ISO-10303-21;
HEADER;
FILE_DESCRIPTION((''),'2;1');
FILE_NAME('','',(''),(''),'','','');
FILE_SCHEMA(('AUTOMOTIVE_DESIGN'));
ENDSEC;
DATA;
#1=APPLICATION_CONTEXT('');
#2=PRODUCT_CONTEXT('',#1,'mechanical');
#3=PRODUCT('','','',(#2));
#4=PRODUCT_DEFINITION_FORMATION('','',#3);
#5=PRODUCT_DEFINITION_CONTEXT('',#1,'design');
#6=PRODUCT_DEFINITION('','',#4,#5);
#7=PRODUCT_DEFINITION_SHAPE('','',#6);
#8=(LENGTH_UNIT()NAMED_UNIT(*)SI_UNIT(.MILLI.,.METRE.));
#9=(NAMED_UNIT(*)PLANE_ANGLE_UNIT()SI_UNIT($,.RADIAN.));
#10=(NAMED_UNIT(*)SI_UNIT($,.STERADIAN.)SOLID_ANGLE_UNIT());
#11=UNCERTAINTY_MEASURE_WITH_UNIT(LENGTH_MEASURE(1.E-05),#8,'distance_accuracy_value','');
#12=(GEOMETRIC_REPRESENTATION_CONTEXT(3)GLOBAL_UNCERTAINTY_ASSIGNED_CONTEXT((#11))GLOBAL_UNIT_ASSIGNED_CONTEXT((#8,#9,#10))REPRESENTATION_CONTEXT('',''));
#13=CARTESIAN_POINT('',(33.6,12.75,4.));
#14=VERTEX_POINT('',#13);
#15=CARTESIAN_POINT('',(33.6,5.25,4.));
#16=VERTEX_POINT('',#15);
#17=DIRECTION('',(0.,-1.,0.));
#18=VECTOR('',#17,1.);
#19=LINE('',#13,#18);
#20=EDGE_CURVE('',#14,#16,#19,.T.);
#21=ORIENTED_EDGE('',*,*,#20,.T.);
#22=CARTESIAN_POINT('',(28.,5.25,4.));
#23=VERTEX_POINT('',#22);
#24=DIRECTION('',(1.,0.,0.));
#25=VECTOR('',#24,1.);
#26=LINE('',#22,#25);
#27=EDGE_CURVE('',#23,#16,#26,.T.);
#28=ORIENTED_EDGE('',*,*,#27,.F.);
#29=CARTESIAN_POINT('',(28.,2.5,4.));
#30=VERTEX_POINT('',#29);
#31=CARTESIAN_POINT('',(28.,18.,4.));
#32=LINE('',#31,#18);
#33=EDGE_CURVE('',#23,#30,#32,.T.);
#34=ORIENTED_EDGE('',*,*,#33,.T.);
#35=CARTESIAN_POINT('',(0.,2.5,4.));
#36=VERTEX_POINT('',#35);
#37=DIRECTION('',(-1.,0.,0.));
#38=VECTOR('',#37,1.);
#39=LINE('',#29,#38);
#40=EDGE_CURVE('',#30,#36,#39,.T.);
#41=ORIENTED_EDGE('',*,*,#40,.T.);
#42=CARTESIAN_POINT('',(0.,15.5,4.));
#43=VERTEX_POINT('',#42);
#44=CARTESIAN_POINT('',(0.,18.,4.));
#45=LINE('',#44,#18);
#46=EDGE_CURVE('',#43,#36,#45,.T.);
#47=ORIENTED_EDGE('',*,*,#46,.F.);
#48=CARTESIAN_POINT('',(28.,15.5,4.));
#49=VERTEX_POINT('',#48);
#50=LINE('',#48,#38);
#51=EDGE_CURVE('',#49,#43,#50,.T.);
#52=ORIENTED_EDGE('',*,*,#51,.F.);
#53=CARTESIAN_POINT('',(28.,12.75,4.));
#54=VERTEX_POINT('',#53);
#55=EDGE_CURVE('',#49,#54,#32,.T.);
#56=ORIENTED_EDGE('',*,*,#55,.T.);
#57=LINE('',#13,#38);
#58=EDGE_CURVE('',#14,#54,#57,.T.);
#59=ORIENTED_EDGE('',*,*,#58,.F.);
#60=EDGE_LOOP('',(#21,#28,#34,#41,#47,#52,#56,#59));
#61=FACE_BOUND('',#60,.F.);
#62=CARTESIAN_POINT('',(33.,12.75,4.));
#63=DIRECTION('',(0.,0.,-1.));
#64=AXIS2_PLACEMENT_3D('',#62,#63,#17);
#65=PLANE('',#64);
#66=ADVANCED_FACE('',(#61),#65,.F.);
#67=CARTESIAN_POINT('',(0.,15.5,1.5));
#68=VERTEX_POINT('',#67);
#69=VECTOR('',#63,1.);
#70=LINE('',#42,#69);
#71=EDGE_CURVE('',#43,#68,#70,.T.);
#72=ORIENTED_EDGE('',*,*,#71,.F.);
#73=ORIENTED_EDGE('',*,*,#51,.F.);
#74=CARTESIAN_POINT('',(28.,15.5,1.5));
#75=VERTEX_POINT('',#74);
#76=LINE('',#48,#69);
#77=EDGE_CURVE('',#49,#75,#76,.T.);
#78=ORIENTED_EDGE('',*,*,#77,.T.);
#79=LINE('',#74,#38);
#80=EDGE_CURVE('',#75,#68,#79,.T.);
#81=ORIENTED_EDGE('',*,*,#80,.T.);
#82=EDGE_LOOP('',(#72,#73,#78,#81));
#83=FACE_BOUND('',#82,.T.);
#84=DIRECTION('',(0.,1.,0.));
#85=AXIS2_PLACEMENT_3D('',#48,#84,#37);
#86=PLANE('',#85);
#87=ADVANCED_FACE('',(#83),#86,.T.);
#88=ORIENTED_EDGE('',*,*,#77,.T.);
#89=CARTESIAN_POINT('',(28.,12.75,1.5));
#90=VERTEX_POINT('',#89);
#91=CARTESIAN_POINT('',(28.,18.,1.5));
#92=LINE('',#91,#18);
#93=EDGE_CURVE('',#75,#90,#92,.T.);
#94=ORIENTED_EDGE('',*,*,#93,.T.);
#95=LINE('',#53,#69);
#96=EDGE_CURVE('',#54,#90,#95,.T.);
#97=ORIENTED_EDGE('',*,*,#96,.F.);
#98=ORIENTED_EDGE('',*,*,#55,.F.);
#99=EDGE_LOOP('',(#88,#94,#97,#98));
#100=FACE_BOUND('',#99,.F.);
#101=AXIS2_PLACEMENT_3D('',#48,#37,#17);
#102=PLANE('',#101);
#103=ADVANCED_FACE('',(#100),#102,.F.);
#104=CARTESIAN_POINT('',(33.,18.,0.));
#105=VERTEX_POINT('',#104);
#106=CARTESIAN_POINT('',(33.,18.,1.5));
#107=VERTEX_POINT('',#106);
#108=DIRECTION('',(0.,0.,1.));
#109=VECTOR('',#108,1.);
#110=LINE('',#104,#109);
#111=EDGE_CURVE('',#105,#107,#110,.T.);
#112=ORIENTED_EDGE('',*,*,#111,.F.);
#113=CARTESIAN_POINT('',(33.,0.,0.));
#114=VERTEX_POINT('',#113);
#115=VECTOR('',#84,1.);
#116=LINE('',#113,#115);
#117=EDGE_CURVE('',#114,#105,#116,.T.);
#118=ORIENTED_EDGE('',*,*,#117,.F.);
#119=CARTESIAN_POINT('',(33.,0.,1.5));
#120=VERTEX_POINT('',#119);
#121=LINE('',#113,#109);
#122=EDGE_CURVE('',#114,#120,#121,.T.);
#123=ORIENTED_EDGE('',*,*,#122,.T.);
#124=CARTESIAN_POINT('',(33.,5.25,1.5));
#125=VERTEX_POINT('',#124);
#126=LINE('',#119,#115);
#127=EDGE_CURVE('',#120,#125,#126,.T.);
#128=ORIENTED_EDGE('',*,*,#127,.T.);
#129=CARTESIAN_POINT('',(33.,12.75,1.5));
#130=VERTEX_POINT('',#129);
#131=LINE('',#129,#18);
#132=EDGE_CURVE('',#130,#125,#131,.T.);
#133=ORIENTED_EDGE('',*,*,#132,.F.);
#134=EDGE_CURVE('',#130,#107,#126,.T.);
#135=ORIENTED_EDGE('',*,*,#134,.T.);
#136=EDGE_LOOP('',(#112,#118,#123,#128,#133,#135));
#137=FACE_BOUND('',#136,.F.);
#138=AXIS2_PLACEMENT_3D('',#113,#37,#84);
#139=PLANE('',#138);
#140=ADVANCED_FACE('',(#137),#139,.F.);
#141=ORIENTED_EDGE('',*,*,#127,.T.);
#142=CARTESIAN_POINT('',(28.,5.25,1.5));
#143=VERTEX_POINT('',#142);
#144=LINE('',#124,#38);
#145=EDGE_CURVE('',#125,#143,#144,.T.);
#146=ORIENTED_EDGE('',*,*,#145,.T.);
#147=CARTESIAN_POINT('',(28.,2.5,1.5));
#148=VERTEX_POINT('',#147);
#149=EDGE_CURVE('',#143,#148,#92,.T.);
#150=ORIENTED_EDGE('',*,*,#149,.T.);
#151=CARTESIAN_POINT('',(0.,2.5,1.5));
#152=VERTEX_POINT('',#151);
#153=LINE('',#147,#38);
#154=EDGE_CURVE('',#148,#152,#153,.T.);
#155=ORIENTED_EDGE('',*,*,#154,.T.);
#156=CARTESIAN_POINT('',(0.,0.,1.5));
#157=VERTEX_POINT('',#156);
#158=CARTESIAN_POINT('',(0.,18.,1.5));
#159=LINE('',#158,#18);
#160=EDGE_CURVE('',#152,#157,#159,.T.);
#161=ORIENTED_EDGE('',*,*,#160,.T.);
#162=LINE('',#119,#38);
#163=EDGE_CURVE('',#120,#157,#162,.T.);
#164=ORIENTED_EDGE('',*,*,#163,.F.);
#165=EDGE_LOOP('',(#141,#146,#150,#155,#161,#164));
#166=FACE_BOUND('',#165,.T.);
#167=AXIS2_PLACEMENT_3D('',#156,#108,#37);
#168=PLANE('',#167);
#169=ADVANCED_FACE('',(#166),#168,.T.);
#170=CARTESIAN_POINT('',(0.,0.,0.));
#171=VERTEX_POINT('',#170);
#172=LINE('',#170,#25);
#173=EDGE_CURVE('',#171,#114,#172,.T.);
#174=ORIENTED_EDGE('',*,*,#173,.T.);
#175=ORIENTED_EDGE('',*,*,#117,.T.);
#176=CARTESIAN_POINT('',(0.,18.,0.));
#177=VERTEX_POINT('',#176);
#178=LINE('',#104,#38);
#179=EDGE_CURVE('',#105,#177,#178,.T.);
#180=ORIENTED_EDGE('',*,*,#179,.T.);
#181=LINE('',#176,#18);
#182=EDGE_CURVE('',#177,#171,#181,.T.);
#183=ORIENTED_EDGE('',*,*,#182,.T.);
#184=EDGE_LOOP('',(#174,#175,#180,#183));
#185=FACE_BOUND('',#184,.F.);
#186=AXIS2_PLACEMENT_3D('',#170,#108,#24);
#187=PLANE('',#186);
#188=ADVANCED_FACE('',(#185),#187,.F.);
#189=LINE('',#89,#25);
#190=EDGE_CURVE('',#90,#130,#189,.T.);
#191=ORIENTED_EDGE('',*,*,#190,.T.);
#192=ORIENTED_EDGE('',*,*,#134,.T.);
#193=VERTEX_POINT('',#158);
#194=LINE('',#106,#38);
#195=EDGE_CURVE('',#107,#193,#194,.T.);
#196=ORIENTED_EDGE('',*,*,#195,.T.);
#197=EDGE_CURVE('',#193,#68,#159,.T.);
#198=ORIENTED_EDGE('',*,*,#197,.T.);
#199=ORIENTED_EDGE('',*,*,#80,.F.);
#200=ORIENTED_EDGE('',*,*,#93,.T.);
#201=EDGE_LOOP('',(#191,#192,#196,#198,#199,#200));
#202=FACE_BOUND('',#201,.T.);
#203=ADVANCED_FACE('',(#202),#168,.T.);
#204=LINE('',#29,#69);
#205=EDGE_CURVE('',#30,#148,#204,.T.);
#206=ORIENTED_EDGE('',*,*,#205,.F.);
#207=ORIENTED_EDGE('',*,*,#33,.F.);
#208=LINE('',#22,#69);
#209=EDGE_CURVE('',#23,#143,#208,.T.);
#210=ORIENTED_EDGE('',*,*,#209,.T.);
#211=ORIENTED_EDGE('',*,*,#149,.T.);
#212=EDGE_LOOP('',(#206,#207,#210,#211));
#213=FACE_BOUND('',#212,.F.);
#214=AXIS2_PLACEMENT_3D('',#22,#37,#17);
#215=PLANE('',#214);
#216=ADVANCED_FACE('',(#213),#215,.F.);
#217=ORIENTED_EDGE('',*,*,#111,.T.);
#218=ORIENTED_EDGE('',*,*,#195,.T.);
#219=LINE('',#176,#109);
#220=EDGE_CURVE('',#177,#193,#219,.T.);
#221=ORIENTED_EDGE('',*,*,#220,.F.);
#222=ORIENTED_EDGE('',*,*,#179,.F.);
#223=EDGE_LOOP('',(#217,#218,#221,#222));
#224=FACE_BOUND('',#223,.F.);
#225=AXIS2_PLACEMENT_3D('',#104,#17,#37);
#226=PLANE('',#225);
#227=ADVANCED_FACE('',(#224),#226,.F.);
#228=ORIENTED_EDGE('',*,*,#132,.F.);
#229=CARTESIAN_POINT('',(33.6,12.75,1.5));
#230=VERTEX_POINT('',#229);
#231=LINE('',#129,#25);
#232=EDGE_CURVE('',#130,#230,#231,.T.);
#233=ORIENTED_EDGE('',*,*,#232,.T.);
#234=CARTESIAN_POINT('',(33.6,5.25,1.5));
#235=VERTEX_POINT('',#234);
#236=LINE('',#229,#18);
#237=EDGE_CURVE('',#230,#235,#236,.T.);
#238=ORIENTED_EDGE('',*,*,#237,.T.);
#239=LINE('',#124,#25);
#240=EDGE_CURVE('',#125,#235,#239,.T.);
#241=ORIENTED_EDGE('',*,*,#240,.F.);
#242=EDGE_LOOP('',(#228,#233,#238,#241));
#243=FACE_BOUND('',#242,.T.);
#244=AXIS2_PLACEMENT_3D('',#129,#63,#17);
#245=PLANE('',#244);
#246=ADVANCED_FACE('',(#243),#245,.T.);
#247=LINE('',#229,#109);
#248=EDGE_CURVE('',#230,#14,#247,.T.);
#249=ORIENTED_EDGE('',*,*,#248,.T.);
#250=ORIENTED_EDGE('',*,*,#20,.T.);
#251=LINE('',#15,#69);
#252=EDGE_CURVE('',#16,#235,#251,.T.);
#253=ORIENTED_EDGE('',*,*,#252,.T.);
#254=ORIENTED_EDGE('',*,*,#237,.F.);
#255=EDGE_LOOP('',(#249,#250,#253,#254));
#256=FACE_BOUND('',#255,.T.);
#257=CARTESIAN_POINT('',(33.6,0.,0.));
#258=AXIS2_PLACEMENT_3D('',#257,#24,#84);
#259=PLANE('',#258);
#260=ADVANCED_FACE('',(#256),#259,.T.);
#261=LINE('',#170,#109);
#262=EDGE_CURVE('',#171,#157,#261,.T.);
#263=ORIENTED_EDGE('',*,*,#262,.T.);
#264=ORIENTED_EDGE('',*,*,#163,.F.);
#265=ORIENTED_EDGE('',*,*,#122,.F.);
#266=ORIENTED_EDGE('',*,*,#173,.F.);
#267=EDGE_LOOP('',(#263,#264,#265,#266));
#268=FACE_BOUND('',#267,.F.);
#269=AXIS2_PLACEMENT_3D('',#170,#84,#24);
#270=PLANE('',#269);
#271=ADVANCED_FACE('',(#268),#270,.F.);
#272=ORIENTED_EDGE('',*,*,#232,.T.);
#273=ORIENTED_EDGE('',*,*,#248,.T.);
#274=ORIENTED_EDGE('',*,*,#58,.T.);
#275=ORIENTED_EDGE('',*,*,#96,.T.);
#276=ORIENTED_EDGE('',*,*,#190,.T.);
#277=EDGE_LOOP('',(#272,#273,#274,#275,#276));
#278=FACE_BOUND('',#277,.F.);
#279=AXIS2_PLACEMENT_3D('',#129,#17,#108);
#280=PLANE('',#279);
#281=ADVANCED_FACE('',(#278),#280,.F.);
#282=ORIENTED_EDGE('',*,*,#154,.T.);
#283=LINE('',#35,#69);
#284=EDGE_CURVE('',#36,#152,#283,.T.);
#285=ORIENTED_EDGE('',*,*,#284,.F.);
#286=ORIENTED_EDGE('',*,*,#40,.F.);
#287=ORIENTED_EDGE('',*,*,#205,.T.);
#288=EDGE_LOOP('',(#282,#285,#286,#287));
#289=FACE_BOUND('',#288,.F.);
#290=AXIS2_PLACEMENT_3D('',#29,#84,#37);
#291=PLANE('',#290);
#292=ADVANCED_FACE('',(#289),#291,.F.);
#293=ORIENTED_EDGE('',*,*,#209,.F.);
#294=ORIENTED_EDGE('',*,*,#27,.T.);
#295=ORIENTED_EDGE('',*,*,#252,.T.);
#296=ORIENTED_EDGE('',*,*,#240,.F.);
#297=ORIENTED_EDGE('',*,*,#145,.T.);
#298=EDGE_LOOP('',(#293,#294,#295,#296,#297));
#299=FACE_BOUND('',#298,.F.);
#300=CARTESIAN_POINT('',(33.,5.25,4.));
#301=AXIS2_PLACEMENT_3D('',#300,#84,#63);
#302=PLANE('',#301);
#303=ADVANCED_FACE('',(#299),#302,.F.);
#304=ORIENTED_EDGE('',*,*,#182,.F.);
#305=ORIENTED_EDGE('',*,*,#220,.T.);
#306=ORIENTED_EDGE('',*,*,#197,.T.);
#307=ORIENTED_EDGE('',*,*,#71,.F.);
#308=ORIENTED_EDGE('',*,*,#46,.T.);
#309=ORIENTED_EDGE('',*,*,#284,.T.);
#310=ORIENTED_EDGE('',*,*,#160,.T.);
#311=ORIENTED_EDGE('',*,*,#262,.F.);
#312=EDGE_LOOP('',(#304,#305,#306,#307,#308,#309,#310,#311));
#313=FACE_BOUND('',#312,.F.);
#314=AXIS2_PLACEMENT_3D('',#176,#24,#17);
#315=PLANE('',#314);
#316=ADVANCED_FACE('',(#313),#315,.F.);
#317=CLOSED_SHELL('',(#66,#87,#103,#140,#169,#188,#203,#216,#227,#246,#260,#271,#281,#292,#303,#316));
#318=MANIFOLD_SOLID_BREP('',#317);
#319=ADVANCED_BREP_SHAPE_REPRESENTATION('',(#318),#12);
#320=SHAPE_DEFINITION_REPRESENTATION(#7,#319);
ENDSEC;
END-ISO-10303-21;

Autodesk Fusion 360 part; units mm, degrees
sketch "スケッチ1" plane through (0, 0, 0) normal (0, 0, 1) x (1, 0, 0)
  line L0 (0, 0) -> (33, 0)
  line L1 (33, 0) -> (33, 18)
  line L2 (33, 18) -> (0, 18)
  line L3 (0, 18) -> (0, 0)
  dimension "d1" = 33
  dimension "d2" = 18
extrude "押し出し1" add sketch "スケッチ1" along normal blind 4
sketch "スケッチ2" plane through (0, 0, 4) normal (0, 0, 1) x (-1, 0, 0)
  line L0 (0, -18) -> (0, 0)
  line L1 (0, 0) -> (-33, 0)
  line L2 (-33, 0) -> (-33, -18)
  line L3 (-33, -18) -> (0, -18)
  line L4 (-33, -18) -> (-28, -18)
  line L5 (-28, -18) -> (-28, 0)
  line L6 (-28, 0) -> (-33, 0)
  line L7 (-33, 0) -> (-33, -18)
  line L8 (-28, -12.75) -> (-33, -12.75)
  line L9 (-33, -12.75) -> (-33, -5.25)
  line L10 (-33, -5.25) -> (-28, -5.25)
  line L11 (-28, -5.25) -> (-28, -12.75)
  line L12 (-31.75, -9) -> (-34.25, -9) construction
  line L13 (-34.25, -9) -> (-31.75, -9) construction
  line L14 (0, 0) -> (-28, 0)
  line L15 (-28, 0) -> (-28, -2.5)
  line L16 (-28, -2.5) -> (0, -2.5)
  line L17 (0, -2.5) -> (0, 0)
  line L18 (0, -18) -> (-28, -18)
  line L19 (-28, -18) -> (-28, -15.5)
  line L20 (-28, -15.5) -> (0, -15.5)
  line L21 (0, -15.5) -> (0, -18)
  dimension "d5" = 5
  dimension "d6" = 18
  dimension "d7" = 5
  dimension "d8" = 7.5
  dimension "d11" = 2.5
  dimension "d12" = 2.5
extrude "押し出し2" cut sketch "スケッチ2" against normal blind 2.5 contours L0 L3 L5 L18 L19 L20 L21 | L2 L3 L4 L5 L7 L8 L19 | L0 L1 L5 L14 L15 L16 L17 | L1 L2 L5 L6 L7 L10 L15
sketch "スケッチ3" plane through (33, 0, 0) normal (1, 0, 0) x (0, 1, 0)
  line L0 (5.25, 4) -> (5.25, 1.5)
  line L1 (5.25, 1.5) -> (0, 1.5)
  line L2 (0, 1.5) -> (0, 0)
  line L3 (0, 0) -> (18, 0)
  line L4 (18, 0) -> (18, 1.5)
  line L5 (18, 1.5) -> (12.75, 1.5)
  line L6 (12.75, 1.5) -> (12.75, 4)
  line L7 (12.75, 4) -> (5.25, 4)
  line L8 (12.75, 1.5) -> (5.25, 1.5)
  line L9 (5.25, 1.5) -> (5.25, 4)
  line L10 (5.25, 4) -> (12.75, 4)
  line L11 (12.75, 4) -> (12.75, 1.5)
extrude "押し出し3" add sketch "スケッチ3" along normal blind 0.6 contours L0 L6 L7 L8 L9 L10 L11
